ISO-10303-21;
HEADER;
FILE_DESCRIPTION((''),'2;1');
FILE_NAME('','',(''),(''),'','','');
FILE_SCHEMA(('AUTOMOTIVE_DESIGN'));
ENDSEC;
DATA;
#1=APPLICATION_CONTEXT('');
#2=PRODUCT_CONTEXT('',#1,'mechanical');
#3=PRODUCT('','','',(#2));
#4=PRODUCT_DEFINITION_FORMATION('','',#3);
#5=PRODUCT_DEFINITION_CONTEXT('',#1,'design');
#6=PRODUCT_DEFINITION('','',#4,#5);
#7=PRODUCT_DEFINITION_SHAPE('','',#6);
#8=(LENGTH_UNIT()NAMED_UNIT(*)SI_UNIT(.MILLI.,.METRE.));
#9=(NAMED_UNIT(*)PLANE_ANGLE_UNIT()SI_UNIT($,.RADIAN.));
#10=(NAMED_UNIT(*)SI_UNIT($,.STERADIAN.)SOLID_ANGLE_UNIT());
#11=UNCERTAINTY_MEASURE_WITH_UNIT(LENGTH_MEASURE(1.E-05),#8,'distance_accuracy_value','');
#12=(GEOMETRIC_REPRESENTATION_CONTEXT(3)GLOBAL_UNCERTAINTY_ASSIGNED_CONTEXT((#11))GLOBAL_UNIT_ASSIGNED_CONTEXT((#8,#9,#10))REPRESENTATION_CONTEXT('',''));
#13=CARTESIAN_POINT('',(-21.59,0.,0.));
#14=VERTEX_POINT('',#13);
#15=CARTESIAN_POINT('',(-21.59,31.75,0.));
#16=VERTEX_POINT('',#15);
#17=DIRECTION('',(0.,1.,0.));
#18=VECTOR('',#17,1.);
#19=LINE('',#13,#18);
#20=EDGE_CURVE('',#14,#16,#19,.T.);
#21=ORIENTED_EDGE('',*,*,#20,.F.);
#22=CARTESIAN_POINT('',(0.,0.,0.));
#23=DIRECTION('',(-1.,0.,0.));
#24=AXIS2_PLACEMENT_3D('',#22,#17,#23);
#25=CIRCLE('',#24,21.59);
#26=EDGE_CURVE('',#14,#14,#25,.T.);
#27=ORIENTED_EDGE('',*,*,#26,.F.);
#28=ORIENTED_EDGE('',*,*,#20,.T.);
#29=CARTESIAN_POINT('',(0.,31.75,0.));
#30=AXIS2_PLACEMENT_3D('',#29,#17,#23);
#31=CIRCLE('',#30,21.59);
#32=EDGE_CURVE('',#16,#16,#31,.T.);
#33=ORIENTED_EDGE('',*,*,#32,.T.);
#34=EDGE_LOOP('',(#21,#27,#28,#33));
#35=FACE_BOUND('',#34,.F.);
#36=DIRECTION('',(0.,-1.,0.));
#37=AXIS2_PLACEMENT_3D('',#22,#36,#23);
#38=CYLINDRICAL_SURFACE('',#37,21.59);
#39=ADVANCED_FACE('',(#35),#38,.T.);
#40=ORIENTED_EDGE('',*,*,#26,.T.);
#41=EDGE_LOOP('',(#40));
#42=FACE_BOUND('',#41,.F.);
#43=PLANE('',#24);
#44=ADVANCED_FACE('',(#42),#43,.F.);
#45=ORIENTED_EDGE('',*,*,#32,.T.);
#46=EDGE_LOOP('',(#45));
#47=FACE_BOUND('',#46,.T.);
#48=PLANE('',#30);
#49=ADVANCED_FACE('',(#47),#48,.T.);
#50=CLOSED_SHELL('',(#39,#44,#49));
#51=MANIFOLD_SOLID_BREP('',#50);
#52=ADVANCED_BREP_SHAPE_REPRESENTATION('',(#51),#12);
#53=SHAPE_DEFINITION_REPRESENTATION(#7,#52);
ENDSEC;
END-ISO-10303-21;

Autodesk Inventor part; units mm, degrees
ref_plane "YZ Plane" through (0, 0, 0) normal (1, 0, 0) x (0, 1, 0)
ref_plane "XZ Plane" through (0, 0, 0) normal (0, 1, 0) x (-1, 0, 0)
ref_plane "XY Plane" through (0, 0, 0) normal (0, 0, 1) x (1, 0, 0)
sketch "Sketch1" plane through (0, 0, 0) normal (0, 1, 0) x (-1, 0, 0)
  circle A0 centre (0, 0) radius 21.59
  dimension "d0" = 43.18
extrude "Extrusion1" add sketch "Sketch1" along normal blind 31.75
properties part number "Fan"
